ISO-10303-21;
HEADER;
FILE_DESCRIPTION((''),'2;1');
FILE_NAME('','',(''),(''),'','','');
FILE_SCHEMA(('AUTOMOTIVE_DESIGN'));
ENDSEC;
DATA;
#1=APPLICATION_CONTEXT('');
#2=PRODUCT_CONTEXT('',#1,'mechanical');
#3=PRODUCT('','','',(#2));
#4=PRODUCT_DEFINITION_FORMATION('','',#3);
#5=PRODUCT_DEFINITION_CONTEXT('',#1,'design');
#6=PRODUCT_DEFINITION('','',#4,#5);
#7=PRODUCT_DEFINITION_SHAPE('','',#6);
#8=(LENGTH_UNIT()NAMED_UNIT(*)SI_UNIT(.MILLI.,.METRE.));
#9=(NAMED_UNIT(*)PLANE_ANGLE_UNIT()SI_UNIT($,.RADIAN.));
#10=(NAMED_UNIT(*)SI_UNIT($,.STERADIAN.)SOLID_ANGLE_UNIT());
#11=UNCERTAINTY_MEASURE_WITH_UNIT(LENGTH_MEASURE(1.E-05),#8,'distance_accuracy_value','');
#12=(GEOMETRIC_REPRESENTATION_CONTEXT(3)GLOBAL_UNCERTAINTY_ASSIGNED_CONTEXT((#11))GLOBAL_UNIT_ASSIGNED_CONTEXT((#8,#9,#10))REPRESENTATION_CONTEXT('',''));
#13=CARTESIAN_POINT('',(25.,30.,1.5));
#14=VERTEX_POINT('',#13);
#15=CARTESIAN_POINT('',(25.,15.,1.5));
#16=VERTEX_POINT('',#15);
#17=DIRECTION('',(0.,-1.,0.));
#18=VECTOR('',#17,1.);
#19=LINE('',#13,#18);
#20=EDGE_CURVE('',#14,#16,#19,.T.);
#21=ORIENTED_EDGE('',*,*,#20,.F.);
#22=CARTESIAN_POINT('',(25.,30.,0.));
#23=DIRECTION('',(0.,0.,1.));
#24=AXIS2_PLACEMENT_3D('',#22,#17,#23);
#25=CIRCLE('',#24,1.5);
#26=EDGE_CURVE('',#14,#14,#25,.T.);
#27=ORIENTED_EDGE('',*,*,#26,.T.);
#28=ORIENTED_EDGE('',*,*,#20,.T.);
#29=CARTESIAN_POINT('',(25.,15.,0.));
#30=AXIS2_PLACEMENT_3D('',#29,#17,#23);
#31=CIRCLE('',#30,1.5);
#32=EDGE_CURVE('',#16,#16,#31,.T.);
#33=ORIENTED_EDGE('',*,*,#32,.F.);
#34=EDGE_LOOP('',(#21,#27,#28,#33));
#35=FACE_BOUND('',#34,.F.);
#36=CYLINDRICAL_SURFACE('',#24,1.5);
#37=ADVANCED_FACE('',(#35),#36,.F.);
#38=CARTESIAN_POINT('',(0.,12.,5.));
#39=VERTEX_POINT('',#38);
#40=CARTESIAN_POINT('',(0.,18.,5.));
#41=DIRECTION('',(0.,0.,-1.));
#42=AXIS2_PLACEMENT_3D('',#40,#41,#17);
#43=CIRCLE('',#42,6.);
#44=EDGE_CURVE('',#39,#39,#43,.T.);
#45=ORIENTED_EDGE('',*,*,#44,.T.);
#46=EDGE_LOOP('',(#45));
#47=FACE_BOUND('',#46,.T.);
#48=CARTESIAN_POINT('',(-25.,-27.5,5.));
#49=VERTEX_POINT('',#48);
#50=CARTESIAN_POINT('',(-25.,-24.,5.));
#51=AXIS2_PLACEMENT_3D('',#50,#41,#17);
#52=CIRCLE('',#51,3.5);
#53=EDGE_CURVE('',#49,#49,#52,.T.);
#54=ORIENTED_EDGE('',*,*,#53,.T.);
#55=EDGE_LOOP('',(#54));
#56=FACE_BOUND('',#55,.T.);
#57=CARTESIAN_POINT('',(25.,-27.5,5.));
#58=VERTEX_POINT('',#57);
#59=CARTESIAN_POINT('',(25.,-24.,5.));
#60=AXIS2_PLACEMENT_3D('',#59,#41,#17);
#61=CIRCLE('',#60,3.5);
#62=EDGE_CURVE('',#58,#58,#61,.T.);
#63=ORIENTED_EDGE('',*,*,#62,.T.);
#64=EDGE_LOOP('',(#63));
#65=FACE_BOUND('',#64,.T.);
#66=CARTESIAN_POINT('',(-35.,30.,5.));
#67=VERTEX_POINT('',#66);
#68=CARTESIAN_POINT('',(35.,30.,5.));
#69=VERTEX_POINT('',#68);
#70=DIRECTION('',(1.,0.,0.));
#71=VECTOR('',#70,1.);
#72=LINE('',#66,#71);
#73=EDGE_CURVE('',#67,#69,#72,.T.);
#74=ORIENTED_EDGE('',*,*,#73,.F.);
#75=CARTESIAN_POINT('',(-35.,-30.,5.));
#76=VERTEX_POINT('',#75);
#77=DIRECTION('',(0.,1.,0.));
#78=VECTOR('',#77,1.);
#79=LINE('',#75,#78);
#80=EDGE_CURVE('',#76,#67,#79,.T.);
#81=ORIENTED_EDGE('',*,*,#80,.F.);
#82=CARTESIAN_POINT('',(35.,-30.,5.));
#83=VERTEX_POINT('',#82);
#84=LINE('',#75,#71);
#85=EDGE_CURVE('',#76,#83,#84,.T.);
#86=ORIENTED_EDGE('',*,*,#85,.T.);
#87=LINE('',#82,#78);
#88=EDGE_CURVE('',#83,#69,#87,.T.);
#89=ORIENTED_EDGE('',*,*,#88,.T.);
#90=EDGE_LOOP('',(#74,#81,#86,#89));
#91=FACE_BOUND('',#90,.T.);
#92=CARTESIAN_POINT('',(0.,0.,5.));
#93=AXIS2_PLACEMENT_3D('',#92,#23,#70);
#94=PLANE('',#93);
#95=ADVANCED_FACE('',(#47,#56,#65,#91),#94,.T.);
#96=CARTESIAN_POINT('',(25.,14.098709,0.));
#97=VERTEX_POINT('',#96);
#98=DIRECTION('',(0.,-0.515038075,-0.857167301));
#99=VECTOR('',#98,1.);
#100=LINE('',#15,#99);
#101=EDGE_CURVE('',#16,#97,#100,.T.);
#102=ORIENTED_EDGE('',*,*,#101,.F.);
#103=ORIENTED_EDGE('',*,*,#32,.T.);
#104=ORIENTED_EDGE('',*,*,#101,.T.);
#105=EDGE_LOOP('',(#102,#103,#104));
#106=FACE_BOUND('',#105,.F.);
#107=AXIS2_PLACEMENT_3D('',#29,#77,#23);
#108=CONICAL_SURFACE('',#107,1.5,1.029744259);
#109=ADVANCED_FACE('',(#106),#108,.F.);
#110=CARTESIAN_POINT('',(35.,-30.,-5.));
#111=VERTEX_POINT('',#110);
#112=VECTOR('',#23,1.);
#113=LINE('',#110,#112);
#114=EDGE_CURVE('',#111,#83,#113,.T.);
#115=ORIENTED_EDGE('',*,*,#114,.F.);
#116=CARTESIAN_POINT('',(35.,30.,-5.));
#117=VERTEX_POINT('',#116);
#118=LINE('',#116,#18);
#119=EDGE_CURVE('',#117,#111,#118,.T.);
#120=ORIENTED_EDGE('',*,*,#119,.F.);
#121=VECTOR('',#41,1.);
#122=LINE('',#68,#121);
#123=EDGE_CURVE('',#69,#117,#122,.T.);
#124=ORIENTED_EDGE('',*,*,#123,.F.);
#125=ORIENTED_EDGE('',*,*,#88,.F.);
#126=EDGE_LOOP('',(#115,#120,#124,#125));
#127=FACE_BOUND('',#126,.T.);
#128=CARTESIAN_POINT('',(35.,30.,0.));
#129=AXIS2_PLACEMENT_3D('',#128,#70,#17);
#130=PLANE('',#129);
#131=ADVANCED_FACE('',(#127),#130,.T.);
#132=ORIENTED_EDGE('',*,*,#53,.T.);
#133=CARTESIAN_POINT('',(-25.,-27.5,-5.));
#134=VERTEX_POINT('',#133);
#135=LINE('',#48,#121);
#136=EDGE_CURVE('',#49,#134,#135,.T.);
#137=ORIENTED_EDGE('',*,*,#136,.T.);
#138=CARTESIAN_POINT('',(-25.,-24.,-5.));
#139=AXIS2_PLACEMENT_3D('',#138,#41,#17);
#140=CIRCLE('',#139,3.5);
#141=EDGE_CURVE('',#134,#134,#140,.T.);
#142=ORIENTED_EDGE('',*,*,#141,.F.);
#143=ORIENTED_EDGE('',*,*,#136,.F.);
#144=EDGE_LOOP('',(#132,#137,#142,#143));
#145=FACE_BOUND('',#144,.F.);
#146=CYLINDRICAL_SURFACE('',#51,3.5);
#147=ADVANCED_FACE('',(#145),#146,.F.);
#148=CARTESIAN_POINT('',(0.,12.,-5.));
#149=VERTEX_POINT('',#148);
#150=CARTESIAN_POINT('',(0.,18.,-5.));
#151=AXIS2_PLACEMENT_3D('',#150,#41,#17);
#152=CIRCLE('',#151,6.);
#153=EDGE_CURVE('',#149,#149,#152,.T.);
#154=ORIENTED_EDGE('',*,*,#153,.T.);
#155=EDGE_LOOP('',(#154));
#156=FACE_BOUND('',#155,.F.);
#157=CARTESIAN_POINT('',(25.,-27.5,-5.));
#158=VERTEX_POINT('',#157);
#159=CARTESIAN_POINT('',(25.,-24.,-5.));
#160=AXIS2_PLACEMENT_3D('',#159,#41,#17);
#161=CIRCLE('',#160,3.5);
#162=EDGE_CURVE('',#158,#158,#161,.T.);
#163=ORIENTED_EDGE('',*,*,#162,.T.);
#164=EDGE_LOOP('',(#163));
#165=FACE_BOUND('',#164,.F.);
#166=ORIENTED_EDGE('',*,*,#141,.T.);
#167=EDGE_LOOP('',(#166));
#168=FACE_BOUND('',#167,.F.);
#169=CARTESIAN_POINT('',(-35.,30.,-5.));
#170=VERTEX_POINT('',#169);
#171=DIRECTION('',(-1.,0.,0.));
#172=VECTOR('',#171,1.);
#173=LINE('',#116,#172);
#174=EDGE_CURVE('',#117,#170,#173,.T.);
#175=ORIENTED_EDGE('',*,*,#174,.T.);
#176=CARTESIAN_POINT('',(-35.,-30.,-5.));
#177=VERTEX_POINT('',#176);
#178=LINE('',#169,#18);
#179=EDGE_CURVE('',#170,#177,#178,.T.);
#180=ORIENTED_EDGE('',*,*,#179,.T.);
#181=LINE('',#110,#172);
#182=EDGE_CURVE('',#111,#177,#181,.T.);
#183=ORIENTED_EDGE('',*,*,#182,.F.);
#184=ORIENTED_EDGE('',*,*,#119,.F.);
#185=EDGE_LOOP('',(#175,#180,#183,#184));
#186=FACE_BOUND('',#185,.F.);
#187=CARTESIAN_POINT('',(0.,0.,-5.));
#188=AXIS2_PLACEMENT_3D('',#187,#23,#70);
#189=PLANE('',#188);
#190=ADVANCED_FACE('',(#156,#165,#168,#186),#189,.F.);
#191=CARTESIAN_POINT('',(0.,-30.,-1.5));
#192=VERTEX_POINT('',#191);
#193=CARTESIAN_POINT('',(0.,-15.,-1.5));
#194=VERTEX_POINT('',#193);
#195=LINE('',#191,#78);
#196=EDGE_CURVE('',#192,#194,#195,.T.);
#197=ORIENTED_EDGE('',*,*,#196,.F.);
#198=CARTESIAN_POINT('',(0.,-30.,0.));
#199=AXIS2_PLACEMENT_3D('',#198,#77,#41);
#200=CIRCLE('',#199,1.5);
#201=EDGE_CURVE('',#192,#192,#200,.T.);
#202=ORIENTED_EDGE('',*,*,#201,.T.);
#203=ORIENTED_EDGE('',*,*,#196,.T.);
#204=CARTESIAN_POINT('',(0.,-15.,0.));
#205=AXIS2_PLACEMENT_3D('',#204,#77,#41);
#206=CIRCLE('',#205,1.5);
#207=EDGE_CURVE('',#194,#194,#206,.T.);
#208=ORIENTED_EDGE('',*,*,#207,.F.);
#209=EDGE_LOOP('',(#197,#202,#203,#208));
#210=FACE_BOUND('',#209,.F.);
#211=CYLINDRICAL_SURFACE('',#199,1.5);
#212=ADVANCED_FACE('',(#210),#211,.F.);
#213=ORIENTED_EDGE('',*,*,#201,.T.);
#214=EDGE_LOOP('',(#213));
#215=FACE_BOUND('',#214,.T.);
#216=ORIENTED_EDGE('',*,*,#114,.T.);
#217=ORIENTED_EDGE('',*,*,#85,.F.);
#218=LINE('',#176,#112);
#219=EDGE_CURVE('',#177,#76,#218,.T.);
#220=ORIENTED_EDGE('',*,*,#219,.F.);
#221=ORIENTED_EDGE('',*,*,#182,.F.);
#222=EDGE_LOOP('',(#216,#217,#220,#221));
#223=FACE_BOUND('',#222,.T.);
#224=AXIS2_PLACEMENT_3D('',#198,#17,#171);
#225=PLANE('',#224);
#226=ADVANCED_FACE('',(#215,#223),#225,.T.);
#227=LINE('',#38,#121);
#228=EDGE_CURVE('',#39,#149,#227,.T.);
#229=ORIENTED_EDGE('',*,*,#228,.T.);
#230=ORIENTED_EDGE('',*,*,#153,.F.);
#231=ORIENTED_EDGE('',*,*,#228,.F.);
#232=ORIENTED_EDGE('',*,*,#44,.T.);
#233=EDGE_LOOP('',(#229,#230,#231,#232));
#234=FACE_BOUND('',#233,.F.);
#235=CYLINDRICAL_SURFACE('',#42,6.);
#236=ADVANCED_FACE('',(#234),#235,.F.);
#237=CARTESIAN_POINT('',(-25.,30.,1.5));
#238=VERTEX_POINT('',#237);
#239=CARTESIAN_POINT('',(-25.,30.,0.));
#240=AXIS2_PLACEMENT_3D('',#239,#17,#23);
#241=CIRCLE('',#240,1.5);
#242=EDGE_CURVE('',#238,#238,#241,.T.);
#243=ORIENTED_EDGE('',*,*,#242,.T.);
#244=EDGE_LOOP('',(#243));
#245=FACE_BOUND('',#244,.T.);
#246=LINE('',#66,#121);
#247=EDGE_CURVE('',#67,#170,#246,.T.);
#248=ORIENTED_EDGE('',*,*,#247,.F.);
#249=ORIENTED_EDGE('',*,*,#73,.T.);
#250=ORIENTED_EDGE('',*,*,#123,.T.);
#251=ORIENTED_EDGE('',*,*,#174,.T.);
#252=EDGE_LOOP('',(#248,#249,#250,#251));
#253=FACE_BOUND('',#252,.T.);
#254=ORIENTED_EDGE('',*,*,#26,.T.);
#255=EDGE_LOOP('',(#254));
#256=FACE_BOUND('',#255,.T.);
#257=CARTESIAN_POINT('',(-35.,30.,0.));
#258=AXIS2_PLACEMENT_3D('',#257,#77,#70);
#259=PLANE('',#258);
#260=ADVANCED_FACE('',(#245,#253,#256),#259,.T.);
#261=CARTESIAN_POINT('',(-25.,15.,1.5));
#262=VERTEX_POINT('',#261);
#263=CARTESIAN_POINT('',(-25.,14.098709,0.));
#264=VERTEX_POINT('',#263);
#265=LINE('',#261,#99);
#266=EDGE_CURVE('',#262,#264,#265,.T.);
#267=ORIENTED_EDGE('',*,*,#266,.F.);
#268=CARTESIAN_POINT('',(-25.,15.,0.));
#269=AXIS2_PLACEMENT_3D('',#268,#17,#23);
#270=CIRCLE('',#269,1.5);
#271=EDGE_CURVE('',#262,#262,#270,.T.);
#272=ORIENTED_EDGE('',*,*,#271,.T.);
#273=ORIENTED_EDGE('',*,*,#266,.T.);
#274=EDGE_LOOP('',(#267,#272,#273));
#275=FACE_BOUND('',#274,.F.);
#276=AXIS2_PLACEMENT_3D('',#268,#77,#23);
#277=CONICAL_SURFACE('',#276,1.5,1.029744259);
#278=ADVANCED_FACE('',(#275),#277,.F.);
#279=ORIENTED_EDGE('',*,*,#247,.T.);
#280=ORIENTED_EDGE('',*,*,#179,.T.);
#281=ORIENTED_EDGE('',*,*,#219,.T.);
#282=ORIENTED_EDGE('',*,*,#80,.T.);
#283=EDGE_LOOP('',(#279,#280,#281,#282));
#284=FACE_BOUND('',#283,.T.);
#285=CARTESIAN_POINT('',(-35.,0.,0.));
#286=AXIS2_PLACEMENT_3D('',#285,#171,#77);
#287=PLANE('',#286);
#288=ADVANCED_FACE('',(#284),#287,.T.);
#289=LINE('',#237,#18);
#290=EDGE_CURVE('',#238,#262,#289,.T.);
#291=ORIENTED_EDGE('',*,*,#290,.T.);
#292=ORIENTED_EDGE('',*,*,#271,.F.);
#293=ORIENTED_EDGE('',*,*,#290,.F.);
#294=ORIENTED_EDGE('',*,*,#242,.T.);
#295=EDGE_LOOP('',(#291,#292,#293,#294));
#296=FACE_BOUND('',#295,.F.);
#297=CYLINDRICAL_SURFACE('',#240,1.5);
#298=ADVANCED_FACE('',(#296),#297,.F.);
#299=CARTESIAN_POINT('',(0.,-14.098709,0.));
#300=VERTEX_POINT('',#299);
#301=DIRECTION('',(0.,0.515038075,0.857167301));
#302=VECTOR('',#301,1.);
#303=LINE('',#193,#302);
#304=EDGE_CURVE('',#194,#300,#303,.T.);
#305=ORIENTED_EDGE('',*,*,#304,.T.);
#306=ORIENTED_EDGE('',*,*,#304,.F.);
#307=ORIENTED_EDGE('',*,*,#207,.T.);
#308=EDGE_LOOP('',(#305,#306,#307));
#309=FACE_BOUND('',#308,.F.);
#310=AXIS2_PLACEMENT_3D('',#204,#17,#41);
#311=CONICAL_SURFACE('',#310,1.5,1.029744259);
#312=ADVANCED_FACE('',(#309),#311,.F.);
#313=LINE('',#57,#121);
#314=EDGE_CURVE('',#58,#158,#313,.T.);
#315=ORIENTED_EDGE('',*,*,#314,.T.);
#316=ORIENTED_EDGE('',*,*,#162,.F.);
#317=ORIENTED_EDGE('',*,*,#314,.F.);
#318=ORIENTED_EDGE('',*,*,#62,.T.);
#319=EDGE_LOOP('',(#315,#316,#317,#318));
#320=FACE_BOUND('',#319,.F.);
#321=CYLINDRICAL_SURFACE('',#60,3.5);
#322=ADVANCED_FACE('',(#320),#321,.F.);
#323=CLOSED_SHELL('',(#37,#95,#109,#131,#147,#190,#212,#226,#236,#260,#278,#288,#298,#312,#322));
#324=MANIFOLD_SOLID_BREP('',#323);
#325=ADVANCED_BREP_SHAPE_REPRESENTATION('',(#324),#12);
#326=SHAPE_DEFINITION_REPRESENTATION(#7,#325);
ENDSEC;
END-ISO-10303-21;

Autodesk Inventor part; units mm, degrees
ref_plane "YZ Plane" through (0, 0, 0) normal (1, 0, 0) x (0, 1, 0)
ref_plane "XZ Plane" through (0, 0, 0) normal (0, 1, 0) x (-1, 0, 0)
ref_plane "XY Plane" through (0, 0, 0) normal (0, 0, 1) x (1, 0, 0)
sketch "Skizze_Grundkörper" plane through (0, 0, 0) normal (0, 0, 1) x (1, 0, 0)
  line L0 (-49, 0) -> (49, 0) projected
  line L1 (0, -42) -> (0, 42) projected
  line L2 (35, -30) -> (-35, -30)
  line L3 (-35, -30) -> (-35, 30)
  line L4 (-35, 30) -> (35, 30)
  line L5 (35, 30) -> (35, -30)
  line L6 (35, -30) -> (-35, 30) construction
  line L7 (-35, -30) -> (35, 30) construction
  point P0 (0, 0)
  dimension "Breite" = 70
  dimension "Länge" = 60
extrude "Grundkörper" add sketch "Skizze_Grundkörper" along normal mid plane 10
sketch "Skizze_Bohrung_12_mm" plane through (0, 0, 5) normal (0, 0, 1) x (1, 0, 0)
  line L0 (-49, 0) -> (49, 0) projected
  line L1 (0, -42) -> (0, 42) projected
  line L2 (-35, -30) -> (35, -30) projected
  line L3 (35, -30) -> (35, 30) projected
  line L4 (35, 30) -> (-35, 30) projected
  line L5 (-35, 30) -> (-35, -30) projected
  point P0 (0, 0)
  point P1 (0, 18)
  dimension "Bo_12_Abstand" = 48
hole "Bohrung_12_mm" at (0, 18, 5) direction (0, 0, -1) diameter 12 end through all
sketch "Skizze_7_mm" plane through (0, 0, 5) normal (0, 0, 1) x (1, 0, 0)
  line L0 (-49, 0) -> (49, 0) projected
  line L1 (0, -42) -> (0, 42) projected
  circle A0 centre (0, 18) radius 6 projected
  line L2 (-35, -30) -> (35, -30) projected
  line L3 (35, -30) -> (35, 30) projected
  line L4 (35, 30) -> (-35, 30) projected
  line L5 (-35, 30) -> (-35, -30) projected
  point P0 (0, 0)
  point P1 (-25, -24)
  point P2 (25, -24)
  dimension "Bo_7_Abstand" = 50
  dimension "Bo_7_Randabstand" = 6
hole "Bohrung_7_mm" at (-25, -24, 5) at (25, -24, 5) direction (0, 0, -1) diameter 7 end through all
sketch "Skizze_Bohrung_3_mm_unten" plane through (-35, -30, 5) normal (0, -1, 0) x (1, 0, 0)
  point P0 (35, -5)
  point P1 (35, -5)
hole "Bohrung_3_mm_unten" at (0, -30, 0) direction (0, 1, 0) diameter 3 depth 15 tip angle 118
sketch "Skizze_Bohrung_3_mm_oben" plane through (-35, 30, 5) normal (0, 1, 0) x (1, 0, 0)
  line L0 (0, 0) -> (0, 10) projected
  line L1 (70, 0) -> (0, 0) projected
  line L2 (70, 0) -> (70, 10) projected
  line L3 (0, 10) -> (70, 10) projected
  line L4 (-14, 5) -> (84, 5) projected
  line L5 (35, 12) -> (35, -2) projected
  point P0 (35, 5)
  point P1 (10, 5)
  point P2 (60, 5)
  dimension "d28" = 50
hole "Bohrung_3_mm_oben" at (-25, 30, 0) at (25, 30, 0) direction (0, -1, 0) diameter 3 depth 15 tip angle 118
properties material "Stahl, unlegiert"
